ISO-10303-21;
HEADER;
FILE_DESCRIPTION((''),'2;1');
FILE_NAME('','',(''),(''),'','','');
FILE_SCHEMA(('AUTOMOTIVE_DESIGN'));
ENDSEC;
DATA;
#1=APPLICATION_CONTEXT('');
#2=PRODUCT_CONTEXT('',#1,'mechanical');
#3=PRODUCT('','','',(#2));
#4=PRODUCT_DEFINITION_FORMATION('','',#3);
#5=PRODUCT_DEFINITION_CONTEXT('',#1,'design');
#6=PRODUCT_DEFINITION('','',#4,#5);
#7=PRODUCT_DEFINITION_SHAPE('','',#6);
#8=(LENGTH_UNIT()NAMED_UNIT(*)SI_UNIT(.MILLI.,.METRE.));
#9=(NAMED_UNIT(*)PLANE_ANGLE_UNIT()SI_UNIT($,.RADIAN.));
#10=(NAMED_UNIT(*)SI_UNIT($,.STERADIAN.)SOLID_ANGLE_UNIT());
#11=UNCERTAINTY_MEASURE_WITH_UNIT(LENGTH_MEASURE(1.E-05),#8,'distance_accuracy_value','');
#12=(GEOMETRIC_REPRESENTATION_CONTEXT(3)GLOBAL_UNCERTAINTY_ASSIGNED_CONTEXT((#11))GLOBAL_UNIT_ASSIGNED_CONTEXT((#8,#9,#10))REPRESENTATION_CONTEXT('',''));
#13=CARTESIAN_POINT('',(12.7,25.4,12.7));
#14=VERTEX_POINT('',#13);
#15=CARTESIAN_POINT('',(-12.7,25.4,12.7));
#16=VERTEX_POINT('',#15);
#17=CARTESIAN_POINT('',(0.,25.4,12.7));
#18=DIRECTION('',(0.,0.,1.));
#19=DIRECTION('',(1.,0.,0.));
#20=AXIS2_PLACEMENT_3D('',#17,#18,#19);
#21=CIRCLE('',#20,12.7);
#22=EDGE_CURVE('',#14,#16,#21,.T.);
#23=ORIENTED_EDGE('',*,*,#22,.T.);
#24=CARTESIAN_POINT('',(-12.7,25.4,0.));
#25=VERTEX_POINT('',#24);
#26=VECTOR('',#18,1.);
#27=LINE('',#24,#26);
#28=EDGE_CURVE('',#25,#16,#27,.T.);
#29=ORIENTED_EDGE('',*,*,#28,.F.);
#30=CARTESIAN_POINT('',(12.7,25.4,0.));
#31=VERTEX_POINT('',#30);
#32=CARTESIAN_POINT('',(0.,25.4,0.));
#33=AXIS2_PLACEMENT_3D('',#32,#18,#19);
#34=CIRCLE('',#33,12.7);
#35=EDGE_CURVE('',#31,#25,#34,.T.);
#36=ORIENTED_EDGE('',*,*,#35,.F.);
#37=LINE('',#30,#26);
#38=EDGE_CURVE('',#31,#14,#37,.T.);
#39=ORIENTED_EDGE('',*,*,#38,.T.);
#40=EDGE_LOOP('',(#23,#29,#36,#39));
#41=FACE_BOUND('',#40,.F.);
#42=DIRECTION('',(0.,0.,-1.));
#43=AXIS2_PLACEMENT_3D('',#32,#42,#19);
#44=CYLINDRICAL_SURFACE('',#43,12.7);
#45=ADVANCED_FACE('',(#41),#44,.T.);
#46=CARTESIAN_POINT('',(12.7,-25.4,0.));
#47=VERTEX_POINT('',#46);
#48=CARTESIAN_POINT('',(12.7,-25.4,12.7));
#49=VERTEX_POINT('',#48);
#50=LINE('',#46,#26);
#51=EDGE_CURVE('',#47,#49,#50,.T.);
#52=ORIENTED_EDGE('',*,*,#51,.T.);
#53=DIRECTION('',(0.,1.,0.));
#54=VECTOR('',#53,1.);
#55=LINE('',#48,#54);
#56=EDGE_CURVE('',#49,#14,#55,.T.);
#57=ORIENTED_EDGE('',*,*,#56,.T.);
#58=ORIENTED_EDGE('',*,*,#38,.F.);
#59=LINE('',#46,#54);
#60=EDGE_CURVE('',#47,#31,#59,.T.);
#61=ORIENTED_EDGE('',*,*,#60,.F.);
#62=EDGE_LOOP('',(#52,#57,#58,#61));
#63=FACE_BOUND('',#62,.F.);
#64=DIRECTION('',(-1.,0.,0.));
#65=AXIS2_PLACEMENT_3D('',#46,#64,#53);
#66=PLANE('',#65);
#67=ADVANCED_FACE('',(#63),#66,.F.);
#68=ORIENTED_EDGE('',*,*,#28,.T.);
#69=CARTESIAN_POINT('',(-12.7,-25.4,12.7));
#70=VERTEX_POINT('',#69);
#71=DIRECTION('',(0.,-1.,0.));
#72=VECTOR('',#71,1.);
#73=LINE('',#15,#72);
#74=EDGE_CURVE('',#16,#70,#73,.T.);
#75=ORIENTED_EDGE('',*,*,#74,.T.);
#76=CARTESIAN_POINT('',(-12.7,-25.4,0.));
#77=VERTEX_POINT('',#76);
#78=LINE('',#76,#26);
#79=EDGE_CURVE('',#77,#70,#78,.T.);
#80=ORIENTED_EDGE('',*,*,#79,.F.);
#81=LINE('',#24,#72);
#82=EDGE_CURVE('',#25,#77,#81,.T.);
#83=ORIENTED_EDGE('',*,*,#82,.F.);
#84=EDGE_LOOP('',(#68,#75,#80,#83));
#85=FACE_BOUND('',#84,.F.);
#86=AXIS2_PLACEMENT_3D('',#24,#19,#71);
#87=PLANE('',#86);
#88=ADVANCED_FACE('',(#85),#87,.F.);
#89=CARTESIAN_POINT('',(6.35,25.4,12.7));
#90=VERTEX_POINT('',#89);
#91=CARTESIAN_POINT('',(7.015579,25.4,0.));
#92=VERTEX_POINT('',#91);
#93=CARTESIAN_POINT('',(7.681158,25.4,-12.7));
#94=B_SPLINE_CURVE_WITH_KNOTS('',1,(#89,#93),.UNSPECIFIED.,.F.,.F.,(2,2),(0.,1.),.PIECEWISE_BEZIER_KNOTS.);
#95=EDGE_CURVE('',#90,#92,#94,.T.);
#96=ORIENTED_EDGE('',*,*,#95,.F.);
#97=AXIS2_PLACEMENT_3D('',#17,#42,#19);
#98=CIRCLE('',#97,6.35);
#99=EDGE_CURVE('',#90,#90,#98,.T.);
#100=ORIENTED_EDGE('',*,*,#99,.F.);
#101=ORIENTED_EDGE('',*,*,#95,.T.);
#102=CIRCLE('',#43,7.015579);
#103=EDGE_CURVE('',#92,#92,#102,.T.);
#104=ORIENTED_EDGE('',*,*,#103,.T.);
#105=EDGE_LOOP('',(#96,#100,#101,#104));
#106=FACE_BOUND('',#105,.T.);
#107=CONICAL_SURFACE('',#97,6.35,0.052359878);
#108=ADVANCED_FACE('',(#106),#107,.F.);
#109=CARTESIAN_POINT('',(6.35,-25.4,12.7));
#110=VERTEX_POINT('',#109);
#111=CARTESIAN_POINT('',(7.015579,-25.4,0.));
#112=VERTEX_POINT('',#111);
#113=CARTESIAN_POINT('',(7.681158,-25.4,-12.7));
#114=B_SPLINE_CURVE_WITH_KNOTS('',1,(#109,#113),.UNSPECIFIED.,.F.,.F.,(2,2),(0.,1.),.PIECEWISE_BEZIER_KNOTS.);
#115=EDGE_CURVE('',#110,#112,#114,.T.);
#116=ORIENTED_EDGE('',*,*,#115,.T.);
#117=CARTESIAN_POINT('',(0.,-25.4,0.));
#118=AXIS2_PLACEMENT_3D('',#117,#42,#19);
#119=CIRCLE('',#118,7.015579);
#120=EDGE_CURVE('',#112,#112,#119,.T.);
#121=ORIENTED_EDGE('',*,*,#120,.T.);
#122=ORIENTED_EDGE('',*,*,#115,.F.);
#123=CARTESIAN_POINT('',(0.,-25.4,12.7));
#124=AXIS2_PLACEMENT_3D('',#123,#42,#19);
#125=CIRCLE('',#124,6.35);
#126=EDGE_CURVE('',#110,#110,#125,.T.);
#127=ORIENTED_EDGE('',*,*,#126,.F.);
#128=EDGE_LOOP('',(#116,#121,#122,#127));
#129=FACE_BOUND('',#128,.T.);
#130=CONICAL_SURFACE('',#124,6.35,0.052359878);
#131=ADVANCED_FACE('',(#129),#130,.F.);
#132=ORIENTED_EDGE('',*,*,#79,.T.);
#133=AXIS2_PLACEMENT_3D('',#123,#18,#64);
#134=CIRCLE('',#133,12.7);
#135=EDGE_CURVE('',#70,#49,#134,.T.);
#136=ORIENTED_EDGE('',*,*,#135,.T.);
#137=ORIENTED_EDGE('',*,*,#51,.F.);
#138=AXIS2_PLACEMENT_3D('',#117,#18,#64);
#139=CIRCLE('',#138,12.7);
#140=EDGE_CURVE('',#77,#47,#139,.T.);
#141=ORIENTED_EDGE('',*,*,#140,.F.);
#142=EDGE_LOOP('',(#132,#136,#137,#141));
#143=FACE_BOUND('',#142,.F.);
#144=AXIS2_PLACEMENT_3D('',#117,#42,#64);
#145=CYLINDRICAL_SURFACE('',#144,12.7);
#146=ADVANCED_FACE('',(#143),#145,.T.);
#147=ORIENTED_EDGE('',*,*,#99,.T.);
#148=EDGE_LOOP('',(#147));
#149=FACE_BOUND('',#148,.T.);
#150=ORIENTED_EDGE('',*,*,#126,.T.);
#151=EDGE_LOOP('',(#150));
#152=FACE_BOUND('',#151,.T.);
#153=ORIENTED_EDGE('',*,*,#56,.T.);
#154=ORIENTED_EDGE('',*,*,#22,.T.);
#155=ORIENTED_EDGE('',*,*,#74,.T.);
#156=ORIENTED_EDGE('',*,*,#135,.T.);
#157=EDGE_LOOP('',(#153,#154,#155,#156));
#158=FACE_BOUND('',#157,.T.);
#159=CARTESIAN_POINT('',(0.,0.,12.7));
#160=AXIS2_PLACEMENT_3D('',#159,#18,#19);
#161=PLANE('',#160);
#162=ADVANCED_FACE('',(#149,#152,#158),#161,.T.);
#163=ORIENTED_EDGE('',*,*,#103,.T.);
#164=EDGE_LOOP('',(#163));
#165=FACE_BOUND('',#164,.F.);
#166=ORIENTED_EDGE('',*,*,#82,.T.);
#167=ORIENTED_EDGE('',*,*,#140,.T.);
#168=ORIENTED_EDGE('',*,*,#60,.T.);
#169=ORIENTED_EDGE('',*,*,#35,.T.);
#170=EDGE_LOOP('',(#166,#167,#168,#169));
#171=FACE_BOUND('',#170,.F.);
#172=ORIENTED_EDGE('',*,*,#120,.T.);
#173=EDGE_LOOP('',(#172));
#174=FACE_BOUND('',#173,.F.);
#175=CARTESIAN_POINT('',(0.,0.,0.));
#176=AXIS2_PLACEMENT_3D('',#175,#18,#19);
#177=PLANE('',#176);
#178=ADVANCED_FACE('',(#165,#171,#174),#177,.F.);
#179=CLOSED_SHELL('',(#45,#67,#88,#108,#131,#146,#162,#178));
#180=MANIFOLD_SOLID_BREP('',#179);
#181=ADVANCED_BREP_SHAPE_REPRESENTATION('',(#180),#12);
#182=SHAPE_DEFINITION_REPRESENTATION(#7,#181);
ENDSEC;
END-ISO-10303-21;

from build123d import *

# Parameters (mm, degrees)
F1_DEPTH = 12.7
F2_R     = 6.35
F3_DEPTH = 25.4
F3_TAPER = -3


with BuildPart() as f1:
    # F0 (on Top) → F1 (new body)
    with BuildSketch(Plane.XY):
        with BuildLine():
            Line((-12.7, 0), (-12.7, -25.4))
            ThreePointArc((-12.7, -25.4), (0, -38.1), (12.7, -25.4))
            Line((12.7, -25.4), (12.7, 0))
            Line((12.7, 0), (12.7, 25.4))
            ThreePointArc((12.7, 25.4), (0, 38.1), (-12.7, 25.4))
            Line((-12.7, 25.4), (-12.7, 0))
        make_face()
    extrude(amount=F1_DEPTH)

    # F2 (on face) → F3 (cut)
    with BuildSketch(Plane.XY.offset(12.7)):
        with Locations((0, 25.4)):
            Circle(F2_R)
        with Locations((0, -25.4)):
            Circle(F2_R)
    extrude(amount=-F3_DEPTH, taper=F3_TAPER, mode=Mode.SUBTRACT)


solid = f1.part
